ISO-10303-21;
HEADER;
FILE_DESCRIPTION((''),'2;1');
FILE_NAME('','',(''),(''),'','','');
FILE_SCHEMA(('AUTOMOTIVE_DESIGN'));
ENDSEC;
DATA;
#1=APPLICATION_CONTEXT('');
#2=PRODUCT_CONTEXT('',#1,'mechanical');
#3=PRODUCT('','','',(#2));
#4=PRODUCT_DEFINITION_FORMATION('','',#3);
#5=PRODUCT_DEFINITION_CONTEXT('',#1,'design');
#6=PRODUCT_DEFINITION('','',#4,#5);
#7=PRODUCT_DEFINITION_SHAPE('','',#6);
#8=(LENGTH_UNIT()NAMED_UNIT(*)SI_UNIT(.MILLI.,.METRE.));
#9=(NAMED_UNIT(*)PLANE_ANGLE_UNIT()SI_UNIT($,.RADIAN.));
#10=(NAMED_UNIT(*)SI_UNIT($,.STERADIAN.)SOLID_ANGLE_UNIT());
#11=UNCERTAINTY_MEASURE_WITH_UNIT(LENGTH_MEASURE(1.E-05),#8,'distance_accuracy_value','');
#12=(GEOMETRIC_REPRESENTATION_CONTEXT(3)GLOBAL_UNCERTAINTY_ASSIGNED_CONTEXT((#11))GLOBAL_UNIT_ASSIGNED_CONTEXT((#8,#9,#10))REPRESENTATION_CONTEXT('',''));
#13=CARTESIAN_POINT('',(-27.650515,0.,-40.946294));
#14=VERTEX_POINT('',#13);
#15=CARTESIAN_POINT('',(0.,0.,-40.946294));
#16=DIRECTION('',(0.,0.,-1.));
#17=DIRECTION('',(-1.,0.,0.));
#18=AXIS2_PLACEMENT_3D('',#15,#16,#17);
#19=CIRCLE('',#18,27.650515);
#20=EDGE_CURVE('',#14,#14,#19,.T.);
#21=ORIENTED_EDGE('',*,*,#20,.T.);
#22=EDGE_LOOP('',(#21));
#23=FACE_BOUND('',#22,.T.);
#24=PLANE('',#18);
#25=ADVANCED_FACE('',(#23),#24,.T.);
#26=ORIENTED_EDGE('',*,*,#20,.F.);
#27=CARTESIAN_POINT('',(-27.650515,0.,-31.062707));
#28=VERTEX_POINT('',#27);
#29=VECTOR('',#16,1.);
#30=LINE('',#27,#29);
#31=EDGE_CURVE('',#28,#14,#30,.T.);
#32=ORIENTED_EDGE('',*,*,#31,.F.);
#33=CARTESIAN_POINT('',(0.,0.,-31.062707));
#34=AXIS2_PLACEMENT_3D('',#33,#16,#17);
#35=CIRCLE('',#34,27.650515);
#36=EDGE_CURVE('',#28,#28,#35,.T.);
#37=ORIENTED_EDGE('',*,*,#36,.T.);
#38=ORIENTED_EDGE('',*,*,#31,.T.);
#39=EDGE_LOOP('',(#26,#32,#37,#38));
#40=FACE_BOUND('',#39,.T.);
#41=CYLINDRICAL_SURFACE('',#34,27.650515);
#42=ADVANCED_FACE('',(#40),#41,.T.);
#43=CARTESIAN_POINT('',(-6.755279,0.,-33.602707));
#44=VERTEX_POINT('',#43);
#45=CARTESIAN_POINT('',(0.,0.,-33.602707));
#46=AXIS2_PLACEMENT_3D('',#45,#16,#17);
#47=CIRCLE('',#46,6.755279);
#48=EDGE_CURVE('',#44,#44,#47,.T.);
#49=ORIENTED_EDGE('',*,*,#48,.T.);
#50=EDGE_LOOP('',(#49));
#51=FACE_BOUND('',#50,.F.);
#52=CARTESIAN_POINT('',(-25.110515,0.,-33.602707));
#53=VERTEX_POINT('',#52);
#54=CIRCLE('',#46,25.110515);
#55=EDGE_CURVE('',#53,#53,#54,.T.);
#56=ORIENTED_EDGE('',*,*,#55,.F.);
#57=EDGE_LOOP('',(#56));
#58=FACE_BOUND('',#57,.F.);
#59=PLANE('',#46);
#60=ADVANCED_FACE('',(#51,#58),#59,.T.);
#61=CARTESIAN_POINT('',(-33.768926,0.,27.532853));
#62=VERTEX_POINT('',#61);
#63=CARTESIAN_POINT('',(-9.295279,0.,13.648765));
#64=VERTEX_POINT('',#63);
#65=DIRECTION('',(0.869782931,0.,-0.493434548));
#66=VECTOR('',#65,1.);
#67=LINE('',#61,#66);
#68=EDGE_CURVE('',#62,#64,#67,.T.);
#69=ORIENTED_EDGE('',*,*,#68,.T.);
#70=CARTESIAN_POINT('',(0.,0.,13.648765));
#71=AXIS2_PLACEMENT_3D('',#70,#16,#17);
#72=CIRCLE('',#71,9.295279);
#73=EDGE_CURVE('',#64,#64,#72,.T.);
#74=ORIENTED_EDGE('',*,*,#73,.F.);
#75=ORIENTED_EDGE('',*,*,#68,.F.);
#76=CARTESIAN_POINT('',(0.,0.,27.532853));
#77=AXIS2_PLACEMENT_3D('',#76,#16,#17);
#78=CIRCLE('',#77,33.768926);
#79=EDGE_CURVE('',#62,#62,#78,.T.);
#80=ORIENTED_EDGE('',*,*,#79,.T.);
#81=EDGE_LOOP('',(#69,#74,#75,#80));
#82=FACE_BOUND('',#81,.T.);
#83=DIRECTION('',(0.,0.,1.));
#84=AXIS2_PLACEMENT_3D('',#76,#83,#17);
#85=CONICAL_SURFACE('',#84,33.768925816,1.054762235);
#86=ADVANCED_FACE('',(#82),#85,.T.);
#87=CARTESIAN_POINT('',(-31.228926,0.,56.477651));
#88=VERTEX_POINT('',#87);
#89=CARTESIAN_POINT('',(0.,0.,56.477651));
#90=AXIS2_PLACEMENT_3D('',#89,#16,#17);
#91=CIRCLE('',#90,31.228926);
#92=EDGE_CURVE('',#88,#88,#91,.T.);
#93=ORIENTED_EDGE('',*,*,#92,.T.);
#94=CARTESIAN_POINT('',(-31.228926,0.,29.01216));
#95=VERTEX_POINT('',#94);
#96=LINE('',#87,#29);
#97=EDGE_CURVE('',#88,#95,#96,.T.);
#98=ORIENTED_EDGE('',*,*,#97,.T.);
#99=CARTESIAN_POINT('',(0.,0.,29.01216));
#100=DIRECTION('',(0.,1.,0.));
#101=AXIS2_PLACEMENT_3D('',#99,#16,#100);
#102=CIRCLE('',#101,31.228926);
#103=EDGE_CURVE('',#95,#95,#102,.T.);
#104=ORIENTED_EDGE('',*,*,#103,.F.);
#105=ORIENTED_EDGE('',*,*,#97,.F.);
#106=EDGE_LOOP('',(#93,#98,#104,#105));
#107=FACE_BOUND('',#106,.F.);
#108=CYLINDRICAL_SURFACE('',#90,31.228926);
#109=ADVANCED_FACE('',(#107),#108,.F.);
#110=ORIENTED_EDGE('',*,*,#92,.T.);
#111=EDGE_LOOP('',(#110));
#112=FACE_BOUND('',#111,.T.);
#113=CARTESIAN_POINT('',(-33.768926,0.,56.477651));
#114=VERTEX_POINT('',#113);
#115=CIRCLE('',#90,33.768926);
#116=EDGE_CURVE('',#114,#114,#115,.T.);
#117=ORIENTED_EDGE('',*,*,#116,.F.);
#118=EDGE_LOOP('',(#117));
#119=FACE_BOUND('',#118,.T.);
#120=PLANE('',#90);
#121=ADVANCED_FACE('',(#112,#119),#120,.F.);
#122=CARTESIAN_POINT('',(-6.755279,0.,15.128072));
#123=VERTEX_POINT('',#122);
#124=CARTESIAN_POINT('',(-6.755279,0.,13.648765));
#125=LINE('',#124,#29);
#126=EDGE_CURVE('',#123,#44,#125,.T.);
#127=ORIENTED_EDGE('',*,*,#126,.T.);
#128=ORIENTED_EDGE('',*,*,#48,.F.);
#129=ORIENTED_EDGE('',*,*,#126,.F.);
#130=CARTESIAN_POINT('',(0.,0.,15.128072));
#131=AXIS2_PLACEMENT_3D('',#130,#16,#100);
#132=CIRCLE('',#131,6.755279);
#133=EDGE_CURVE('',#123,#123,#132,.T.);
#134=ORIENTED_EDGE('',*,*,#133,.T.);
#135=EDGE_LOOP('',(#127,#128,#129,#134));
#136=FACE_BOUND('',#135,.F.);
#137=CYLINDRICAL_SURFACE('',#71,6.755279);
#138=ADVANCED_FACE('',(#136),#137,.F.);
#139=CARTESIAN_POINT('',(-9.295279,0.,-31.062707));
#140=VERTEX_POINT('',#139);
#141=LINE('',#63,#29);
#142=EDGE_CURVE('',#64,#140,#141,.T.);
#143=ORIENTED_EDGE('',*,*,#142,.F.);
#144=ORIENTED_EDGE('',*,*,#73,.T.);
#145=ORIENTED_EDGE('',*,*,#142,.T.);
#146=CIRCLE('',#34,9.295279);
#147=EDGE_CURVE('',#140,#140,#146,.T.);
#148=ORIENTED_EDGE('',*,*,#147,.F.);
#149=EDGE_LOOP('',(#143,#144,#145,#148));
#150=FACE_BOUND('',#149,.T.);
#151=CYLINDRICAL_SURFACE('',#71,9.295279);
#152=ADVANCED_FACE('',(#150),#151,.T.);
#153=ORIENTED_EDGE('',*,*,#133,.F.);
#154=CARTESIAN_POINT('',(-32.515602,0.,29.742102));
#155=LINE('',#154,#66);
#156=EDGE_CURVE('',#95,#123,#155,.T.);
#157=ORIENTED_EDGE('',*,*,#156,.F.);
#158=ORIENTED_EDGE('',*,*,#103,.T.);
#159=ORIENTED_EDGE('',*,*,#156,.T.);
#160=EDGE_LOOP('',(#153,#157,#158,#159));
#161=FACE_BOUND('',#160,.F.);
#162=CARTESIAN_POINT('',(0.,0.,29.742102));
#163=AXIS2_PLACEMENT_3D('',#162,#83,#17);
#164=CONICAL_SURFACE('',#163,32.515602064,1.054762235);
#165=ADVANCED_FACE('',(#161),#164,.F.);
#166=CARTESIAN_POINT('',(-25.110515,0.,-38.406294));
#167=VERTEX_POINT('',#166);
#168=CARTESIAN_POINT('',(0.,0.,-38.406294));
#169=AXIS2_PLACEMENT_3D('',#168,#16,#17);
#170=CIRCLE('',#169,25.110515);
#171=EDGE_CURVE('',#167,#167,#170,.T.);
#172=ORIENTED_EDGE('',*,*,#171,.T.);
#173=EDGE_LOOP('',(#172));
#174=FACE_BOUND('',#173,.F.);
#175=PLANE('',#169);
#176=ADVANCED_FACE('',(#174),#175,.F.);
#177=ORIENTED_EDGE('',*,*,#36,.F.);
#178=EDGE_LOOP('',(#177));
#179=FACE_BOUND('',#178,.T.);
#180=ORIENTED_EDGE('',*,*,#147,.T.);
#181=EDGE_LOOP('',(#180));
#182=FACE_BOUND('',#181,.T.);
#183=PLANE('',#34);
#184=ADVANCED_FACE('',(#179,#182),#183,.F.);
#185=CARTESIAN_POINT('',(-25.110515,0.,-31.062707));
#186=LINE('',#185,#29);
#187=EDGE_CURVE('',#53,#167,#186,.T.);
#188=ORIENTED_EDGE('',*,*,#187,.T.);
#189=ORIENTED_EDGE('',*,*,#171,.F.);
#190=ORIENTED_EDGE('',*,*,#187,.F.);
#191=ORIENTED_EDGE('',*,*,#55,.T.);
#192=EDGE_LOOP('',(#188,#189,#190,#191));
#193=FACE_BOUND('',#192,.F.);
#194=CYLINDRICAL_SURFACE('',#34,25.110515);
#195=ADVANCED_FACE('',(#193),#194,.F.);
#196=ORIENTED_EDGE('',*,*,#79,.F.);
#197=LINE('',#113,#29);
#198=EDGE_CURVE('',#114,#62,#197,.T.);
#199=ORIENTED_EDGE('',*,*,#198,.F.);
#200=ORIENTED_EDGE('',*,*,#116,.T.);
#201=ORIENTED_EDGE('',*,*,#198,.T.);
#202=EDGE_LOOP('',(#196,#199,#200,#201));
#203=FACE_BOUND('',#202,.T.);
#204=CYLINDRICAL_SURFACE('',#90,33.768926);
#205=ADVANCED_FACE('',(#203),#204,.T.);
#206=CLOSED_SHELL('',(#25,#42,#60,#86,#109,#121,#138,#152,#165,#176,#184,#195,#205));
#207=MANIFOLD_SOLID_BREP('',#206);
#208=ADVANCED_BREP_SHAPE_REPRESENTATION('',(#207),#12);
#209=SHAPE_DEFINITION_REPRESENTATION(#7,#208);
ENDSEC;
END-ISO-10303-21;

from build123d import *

# Parameters (mm, degrees)
F2_T = -2.54


with BuildPart() as f1:
    # F0 (on Front) → F1 (revolve)
    with BuildSketch(Plane.XZ):
        Polygon((0, -40.9462936223), (0, 56.477651), (-33.7689258158, 56.477651), (-33.7689258158, 27.5328531861), (-9.2952791601, 13.6487651616), (-9.2952791601, -31.062707305), (-27.6505146176, -31.062707305), (-27.6505146176, -40.9462936223), align=None)
    revolve(axis=Axis((0, 0, 7.7656786889), (0, 0, -1)))

    # F2
    f2_openings = [f1.faces().sort_by_distance(p)[0] for p in [
        (0, 0, 56.477651),
    ]]
    offset(amount=F2_T, openings=f2_openings, kind=Kind.INTERSECTION)


solid = f1.part
